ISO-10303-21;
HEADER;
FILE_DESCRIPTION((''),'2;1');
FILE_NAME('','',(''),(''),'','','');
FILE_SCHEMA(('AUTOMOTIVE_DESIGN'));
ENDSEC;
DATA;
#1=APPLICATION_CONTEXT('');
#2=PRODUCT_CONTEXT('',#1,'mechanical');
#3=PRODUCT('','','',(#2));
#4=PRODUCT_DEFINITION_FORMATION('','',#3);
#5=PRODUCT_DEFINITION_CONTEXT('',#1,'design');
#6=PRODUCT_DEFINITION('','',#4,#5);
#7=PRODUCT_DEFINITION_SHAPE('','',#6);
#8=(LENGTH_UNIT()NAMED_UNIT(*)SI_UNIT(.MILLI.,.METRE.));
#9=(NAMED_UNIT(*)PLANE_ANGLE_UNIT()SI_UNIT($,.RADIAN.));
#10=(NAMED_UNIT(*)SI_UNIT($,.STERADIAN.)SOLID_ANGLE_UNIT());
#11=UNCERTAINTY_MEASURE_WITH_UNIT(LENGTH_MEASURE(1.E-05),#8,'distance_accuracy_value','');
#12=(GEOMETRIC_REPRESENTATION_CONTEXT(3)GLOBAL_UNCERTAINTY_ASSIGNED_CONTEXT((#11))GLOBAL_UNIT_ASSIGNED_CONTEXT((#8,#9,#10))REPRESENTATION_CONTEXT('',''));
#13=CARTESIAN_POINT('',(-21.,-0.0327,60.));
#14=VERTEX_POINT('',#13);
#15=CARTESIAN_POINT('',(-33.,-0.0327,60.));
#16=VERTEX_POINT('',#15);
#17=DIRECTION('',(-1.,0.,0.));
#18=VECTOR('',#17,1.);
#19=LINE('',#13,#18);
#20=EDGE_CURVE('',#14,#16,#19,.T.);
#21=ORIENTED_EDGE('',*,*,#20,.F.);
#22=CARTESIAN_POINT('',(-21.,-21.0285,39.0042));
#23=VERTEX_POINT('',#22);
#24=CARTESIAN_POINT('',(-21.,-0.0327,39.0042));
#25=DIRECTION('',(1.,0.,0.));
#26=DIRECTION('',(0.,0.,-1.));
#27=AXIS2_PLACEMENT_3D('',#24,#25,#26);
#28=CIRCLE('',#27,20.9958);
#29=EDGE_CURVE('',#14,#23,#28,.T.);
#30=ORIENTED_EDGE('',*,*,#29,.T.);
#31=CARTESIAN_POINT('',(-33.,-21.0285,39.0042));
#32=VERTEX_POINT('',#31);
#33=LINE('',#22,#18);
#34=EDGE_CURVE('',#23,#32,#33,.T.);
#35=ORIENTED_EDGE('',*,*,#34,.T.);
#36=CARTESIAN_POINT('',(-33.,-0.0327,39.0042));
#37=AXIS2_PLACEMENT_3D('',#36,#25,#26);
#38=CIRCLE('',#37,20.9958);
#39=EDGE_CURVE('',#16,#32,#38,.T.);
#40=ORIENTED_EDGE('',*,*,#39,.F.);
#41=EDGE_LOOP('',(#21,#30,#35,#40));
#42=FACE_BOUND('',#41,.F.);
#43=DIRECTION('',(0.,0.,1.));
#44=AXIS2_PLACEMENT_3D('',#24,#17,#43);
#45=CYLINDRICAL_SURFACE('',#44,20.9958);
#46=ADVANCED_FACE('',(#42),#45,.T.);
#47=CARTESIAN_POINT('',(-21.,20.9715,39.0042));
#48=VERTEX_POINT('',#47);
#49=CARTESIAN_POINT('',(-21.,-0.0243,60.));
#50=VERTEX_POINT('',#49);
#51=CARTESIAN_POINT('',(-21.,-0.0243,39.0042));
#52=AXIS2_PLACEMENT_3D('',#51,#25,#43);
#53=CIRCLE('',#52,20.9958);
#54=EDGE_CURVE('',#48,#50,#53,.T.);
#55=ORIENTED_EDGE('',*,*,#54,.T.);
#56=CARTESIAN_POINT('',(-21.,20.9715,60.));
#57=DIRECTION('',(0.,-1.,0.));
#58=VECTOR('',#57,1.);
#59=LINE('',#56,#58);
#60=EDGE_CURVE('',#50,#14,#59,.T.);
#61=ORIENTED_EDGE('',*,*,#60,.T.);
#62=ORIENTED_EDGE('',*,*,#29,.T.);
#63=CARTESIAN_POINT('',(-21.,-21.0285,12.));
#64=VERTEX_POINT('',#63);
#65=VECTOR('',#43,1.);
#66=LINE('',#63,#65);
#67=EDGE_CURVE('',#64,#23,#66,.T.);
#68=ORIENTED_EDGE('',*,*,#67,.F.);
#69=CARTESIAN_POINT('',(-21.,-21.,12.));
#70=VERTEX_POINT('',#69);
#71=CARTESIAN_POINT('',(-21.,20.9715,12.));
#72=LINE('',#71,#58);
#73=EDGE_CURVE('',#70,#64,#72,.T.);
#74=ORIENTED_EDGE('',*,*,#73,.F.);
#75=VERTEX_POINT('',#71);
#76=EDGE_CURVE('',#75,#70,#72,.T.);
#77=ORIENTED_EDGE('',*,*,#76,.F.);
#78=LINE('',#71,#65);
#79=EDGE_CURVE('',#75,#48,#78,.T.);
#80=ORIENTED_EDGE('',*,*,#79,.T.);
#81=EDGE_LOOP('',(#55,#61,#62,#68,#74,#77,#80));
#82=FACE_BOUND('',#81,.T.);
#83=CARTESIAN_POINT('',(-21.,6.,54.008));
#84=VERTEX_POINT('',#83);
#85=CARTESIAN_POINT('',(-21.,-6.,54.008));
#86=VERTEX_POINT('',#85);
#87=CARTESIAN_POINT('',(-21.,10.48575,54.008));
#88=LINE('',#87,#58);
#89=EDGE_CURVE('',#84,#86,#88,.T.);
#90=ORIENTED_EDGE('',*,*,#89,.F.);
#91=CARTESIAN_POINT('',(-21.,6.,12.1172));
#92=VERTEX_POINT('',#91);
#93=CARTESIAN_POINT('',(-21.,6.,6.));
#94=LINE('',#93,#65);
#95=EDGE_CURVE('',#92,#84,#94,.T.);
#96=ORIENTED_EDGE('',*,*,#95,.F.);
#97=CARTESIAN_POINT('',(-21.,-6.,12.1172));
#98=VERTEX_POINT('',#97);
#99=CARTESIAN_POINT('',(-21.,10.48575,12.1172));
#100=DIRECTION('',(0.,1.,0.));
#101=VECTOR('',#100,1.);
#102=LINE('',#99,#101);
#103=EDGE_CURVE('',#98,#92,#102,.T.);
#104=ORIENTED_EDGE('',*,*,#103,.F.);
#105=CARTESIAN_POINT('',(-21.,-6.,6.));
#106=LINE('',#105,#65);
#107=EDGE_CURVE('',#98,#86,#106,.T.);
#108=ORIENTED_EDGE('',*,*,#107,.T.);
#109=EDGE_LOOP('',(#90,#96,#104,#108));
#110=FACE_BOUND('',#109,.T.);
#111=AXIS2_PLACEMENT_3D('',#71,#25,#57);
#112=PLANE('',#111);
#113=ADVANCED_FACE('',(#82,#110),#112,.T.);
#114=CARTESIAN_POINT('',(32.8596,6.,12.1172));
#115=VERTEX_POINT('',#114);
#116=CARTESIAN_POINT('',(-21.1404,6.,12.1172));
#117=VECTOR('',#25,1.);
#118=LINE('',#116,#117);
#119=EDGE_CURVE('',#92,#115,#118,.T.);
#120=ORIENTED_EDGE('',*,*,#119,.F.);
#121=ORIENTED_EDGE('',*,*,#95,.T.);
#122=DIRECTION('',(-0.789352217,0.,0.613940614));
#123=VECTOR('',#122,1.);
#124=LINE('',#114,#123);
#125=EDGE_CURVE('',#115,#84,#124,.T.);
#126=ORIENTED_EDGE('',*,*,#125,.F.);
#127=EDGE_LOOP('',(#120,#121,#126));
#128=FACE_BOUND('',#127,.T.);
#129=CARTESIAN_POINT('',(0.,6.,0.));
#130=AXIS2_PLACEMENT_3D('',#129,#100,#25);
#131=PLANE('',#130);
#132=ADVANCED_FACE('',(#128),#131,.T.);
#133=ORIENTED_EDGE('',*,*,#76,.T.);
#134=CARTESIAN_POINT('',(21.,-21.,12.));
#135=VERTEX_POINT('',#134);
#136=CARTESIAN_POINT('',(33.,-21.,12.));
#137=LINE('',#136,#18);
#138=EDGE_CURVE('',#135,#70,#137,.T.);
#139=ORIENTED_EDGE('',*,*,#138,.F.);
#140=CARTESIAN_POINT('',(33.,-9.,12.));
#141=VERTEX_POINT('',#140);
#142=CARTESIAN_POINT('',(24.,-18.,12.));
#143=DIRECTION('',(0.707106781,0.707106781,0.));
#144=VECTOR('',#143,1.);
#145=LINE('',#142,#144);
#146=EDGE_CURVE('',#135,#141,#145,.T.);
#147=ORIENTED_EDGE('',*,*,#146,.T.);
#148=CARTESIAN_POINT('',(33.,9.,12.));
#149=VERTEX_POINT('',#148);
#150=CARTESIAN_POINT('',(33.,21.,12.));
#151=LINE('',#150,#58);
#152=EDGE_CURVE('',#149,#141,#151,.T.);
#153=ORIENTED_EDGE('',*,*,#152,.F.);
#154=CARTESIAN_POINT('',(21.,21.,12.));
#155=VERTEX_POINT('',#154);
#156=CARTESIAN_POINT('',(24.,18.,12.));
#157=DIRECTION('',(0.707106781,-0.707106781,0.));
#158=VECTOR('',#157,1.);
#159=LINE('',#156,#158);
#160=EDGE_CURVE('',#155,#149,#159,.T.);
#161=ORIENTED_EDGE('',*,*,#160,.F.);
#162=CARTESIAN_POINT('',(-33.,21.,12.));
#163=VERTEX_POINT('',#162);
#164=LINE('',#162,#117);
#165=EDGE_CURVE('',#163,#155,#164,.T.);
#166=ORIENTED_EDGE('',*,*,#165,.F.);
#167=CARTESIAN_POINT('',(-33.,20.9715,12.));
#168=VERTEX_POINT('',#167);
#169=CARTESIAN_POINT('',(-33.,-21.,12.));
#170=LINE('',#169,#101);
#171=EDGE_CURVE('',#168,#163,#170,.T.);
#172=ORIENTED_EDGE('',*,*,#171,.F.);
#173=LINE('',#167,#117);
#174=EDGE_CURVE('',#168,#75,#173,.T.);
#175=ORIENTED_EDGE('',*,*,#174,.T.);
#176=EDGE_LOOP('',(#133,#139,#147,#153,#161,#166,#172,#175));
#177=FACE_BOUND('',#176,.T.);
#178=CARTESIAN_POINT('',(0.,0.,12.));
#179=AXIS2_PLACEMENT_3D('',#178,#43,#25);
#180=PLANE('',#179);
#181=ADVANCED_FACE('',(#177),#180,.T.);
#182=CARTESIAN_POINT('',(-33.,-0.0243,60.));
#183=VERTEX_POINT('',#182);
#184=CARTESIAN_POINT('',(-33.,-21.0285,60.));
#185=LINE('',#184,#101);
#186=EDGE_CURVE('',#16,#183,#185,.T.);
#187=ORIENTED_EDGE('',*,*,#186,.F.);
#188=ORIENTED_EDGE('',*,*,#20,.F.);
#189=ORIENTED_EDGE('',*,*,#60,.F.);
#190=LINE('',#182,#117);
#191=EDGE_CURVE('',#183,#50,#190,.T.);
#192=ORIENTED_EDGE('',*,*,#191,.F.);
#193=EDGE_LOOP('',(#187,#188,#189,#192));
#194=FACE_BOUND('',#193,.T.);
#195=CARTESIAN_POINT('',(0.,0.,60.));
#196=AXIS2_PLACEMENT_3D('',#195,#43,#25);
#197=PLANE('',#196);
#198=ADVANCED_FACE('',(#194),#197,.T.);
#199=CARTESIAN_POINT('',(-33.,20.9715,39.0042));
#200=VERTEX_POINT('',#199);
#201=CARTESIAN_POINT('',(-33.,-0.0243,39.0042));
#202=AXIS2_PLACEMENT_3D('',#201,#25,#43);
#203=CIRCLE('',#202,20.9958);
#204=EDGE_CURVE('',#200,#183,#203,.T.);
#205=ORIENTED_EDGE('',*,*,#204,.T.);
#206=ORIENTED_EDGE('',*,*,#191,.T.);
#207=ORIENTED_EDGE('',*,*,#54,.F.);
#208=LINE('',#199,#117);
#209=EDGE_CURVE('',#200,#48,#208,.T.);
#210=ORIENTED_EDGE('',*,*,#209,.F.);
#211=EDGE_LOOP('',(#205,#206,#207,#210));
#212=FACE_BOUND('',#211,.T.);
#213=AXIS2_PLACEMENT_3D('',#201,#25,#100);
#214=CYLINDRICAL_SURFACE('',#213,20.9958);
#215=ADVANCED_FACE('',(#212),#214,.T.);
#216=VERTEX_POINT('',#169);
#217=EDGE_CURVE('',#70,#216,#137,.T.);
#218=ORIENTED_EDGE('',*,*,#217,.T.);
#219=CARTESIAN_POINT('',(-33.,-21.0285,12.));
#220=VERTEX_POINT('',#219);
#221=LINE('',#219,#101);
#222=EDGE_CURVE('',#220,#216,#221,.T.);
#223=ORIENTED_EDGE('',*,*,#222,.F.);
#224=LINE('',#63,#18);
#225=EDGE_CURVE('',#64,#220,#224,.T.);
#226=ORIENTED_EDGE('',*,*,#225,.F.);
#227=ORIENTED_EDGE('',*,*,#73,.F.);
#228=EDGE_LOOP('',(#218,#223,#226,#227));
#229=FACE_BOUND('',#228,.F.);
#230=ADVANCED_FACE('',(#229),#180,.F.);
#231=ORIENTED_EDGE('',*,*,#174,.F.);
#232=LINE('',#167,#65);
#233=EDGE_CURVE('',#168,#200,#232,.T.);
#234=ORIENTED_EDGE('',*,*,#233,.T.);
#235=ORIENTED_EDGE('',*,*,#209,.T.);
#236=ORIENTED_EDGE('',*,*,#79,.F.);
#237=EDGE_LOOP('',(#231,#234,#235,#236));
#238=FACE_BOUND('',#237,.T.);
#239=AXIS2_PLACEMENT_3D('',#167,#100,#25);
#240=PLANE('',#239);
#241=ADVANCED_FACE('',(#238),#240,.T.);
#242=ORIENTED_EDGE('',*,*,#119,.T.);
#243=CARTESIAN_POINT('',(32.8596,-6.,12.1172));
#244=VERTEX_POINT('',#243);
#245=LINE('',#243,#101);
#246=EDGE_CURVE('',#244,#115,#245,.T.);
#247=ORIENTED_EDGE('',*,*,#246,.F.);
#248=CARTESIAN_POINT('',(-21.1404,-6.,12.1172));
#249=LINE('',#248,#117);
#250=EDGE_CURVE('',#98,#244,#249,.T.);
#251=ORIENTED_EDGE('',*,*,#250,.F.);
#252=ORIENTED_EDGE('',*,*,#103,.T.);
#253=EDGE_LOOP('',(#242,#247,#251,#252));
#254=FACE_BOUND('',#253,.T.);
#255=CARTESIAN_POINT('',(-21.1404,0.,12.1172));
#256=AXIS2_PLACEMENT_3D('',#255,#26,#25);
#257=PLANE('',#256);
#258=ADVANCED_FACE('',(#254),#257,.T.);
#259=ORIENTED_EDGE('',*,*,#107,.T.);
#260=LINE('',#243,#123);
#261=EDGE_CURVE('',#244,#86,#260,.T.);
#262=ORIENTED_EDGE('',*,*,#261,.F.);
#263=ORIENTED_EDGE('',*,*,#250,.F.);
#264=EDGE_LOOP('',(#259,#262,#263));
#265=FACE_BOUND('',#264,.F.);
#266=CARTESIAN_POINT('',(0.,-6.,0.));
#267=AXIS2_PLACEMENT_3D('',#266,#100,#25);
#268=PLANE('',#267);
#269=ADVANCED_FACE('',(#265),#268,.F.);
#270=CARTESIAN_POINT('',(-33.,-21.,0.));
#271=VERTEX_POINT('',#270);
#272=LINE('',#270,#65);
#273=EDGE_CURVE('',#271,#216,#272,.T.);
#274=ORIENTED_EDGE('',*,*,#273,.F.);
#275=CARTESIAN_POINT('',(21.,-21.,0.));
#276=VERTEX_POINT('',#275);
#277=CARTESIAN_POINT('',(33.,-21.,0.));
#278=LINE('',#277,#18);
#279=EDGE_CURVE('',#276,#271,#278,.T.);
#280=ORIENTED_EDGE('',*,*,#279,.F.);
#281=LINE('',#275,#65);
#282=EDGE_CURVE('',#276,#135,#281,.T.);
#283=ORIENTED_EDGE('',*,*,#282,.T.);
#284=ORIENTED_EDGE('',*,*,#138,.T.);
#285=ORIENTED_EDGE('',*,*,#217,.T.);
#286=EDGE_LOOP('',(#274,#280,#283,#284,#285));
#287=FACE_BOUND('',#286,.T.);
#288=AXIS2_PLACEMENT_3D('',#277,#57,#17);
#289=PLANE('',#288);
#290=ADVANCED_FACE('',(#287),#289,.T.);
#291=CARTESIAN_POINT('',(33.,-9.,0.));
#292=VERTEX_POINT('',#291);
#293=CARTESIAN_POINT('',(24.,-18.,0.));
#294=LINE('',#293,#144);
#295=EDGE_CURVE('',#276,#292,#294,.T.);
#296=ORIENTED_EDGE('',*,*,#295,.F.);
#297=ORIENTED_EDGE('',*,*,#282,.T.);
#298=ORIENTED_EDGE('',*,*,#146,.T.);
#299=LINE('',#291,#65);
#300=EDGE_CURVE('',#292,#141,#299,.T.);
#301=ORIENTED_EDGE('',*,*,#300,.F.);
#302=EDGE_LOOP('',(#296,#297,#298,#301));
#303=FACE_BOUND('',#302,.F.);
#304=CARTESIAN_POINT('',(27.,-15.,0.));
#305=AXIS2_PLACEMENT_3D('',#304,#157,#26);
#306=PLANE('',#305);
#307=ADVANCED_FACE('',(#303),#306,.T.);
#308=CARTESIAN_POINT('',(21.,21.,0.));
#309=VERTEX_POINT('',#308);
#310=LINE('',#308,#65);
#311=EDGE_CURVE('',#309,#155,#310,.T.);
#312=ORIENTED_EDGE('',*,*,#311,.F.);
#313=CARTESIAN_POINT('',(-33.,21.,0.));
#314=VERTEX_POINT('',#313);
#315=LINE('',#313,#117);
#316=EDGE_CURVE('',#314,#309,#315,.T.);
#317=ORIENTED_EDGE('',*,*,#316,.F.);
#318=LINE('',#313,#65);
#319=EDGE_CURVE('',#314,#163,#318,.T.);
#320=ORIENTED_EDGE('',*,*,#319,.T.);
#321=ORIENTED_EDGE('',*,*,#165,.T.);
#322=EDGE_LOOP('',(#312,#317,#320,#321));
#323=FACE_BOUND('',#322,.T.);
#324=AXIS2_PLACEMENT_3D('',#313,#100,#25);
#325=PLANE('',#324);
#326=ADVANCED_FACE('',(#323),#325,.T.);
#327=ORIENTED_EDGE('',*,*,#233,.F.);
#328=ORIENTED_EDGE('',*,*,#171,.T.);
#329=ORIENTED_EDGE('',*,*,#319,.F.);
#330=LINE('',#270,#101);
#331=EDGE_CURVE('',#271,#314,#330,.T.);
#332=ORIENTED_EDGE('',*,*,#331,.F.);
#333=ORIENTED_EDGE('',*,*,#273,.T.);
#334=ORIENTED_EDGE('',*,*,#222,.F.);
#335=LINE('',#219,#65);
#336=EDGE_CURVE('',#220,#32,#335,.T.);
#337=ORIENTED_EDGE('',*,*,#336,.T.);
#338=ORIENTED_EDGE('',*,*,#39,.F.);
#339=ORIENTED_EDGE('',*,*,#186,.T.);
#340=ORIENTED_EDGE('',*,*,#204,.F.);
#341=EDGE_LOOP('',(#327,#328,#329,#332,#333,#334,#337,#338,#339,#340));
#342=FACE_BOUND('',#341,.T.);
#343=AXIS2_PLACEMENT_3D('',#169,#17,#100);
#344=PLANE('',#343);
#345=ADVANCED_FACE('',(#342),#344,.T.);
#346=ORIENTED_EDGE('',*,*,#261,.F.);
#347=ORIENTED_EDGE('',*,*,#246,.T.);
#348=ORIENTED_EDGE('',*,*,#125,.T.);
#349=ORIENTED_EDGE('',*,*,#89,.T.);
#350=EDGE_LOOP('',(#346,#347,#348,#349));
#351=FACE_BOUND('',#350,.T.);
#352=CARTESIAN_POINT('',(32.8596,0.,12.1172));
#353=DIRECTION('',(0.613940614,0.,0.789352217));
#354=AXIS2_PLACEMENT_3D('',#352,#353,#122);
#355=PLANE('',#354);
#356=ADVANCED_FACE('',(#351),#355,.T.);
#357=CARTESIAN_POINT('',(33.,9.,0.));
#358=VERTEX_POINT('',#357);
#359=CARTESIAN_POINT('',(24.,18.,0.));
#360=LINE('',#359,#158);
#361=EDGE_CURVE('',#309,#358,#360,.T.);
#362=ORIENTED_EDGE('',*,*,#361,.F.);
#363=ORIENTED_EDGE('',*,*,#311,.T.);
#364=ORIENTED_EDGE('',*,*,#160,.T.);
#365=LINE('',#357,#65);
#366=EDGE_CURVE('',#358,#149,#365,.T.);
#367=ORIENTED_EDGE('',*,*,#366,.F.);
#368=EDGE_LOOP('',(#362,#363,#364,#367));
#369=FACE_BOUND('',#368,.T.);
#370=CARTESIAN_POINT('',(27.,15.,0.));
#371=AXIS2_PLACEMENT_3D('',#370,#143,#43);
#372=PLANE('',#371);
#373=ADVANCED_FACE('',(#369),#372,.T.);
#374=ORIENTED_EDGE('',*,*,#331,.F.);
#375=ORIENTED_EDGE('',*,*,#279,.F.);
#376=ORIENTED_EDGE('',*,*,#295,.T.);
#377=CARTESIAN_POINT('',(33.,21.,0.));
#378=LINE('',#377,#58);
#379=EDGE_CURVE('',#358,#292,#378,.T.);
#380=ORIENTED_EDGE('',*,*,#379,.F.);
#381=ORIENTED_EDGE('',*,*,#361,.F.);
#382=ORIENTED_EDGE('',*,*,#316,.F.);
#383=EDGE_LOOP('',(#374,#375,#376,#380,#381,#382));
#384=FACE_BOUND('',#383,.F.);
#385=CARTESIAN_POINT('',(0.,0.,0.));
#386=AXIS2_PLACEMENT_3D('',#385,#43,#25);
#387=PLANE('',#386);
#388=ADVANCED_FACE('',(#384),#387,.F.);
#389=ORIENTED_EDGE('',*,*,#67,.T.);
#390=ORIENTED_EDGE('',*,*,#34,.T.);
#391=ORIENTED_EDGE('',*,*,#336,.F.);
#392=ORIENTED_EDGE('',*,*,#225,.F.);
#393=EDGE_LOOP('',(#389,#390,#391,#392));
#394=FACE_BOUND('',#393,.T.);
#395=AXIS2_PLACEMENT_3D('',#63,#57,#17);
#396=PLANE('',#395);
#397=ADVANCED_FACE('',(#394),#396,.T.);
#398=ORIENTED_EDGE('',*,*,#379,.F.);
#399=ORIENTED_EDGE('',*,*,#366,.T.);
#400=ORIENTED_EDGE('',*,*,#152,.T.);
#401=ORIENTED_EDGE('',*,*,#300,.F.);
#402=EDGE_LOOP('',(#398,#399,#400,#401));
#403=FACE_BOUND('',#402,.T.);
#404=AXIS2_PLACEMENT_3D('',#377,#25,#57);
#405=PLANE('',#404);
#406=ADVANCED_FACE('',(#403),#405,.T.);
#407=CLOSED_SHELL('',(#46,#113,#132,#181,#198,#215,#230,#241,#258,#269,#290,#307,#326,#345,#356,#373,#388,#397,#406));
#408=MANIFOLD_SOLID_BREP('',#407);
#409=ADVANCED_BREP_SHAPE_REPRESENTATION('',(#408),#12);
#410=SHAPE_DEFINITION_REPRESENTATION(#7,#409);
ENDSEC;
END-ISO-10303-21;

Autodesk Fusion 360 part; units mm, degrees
sketch "Horizontal" plane through (0, 0, 0) normal (0, 0, 1) x (1, 0, 0)
  line L0 (33, -21) -> (-33, -21)
  line L1 (-33, -21) -> (-33, 21)
  line L2 (-33, 21) -> (33, 21)
  line L3 (33, 21) -> (33, -21)
  line L4 (33, -21) -> (-33, 21) construction
  line L5 (-33, -21) -> (33, 21) construction
  dimension "d1" = 66
  dimension "d2" = 42
extrude "Extrude1" add sketch "Horizontal" along normal blind 12
chamfer "Chamfer1" distance 12 angle 45 2 edges at (33, -21, 6) (33, 21, 6)
sketch "Vertical" plane through (0, 0, 0) normal (0, 0, 1) x (1, 0, 0)
  line L0 (-33, 20.9715) -> (-21, 20.9715)
  line L1 (-21, 20.9715) -> (-21, -21.0285)
  line L2 (-21, -21.0285) -> (-33, -21.0285)
  line L3 (-33, -21.0285) -> (-33, 20.9715)
  line L4 (-33, 20.9715) -> (-21, 20.9715)
  line L5 (-21, 20.9715) -> (-21, -21.0285)
  line L6 (-21, -21.0285) -> (-33, -21.0285)
  line L7 (-33, -21.0285) -> (-33, 20.9715)
  line L8 (-33, -21) -> (-33, 21)
  dimension "d6" = 12
  dimension "d7" = 42
  dimension "d8" = 12
  dimension "d9" = 42
extrude "Extrude2" add sketch "Vertical" along normal blind 60 and the other way blind -12
fillet "Fillet1" radius 21 2 edges at (-27, -21.0285, 60) (-27, 20.9715, 60)
sketch "Triangle" plane through (0, 0, 0) normal (0, 1, 0) x (1, 0, 0)
  line L0 (-21.1404, -54.1172) -> (-21.1404, -12.1172)
  line L1 (-21.1404, -12.1172) -> (32.8596, -12.1172)
  line L2 (32.8596, -12.1172) -> (-21.1404, -54.1172)
  dimension "d16" = 42
  dimension "d17" = 54
extrude "Extrude3" add sketch "Triangle" along normal mid plane 12
equation "d17 = 66 mm - 12 mm"
